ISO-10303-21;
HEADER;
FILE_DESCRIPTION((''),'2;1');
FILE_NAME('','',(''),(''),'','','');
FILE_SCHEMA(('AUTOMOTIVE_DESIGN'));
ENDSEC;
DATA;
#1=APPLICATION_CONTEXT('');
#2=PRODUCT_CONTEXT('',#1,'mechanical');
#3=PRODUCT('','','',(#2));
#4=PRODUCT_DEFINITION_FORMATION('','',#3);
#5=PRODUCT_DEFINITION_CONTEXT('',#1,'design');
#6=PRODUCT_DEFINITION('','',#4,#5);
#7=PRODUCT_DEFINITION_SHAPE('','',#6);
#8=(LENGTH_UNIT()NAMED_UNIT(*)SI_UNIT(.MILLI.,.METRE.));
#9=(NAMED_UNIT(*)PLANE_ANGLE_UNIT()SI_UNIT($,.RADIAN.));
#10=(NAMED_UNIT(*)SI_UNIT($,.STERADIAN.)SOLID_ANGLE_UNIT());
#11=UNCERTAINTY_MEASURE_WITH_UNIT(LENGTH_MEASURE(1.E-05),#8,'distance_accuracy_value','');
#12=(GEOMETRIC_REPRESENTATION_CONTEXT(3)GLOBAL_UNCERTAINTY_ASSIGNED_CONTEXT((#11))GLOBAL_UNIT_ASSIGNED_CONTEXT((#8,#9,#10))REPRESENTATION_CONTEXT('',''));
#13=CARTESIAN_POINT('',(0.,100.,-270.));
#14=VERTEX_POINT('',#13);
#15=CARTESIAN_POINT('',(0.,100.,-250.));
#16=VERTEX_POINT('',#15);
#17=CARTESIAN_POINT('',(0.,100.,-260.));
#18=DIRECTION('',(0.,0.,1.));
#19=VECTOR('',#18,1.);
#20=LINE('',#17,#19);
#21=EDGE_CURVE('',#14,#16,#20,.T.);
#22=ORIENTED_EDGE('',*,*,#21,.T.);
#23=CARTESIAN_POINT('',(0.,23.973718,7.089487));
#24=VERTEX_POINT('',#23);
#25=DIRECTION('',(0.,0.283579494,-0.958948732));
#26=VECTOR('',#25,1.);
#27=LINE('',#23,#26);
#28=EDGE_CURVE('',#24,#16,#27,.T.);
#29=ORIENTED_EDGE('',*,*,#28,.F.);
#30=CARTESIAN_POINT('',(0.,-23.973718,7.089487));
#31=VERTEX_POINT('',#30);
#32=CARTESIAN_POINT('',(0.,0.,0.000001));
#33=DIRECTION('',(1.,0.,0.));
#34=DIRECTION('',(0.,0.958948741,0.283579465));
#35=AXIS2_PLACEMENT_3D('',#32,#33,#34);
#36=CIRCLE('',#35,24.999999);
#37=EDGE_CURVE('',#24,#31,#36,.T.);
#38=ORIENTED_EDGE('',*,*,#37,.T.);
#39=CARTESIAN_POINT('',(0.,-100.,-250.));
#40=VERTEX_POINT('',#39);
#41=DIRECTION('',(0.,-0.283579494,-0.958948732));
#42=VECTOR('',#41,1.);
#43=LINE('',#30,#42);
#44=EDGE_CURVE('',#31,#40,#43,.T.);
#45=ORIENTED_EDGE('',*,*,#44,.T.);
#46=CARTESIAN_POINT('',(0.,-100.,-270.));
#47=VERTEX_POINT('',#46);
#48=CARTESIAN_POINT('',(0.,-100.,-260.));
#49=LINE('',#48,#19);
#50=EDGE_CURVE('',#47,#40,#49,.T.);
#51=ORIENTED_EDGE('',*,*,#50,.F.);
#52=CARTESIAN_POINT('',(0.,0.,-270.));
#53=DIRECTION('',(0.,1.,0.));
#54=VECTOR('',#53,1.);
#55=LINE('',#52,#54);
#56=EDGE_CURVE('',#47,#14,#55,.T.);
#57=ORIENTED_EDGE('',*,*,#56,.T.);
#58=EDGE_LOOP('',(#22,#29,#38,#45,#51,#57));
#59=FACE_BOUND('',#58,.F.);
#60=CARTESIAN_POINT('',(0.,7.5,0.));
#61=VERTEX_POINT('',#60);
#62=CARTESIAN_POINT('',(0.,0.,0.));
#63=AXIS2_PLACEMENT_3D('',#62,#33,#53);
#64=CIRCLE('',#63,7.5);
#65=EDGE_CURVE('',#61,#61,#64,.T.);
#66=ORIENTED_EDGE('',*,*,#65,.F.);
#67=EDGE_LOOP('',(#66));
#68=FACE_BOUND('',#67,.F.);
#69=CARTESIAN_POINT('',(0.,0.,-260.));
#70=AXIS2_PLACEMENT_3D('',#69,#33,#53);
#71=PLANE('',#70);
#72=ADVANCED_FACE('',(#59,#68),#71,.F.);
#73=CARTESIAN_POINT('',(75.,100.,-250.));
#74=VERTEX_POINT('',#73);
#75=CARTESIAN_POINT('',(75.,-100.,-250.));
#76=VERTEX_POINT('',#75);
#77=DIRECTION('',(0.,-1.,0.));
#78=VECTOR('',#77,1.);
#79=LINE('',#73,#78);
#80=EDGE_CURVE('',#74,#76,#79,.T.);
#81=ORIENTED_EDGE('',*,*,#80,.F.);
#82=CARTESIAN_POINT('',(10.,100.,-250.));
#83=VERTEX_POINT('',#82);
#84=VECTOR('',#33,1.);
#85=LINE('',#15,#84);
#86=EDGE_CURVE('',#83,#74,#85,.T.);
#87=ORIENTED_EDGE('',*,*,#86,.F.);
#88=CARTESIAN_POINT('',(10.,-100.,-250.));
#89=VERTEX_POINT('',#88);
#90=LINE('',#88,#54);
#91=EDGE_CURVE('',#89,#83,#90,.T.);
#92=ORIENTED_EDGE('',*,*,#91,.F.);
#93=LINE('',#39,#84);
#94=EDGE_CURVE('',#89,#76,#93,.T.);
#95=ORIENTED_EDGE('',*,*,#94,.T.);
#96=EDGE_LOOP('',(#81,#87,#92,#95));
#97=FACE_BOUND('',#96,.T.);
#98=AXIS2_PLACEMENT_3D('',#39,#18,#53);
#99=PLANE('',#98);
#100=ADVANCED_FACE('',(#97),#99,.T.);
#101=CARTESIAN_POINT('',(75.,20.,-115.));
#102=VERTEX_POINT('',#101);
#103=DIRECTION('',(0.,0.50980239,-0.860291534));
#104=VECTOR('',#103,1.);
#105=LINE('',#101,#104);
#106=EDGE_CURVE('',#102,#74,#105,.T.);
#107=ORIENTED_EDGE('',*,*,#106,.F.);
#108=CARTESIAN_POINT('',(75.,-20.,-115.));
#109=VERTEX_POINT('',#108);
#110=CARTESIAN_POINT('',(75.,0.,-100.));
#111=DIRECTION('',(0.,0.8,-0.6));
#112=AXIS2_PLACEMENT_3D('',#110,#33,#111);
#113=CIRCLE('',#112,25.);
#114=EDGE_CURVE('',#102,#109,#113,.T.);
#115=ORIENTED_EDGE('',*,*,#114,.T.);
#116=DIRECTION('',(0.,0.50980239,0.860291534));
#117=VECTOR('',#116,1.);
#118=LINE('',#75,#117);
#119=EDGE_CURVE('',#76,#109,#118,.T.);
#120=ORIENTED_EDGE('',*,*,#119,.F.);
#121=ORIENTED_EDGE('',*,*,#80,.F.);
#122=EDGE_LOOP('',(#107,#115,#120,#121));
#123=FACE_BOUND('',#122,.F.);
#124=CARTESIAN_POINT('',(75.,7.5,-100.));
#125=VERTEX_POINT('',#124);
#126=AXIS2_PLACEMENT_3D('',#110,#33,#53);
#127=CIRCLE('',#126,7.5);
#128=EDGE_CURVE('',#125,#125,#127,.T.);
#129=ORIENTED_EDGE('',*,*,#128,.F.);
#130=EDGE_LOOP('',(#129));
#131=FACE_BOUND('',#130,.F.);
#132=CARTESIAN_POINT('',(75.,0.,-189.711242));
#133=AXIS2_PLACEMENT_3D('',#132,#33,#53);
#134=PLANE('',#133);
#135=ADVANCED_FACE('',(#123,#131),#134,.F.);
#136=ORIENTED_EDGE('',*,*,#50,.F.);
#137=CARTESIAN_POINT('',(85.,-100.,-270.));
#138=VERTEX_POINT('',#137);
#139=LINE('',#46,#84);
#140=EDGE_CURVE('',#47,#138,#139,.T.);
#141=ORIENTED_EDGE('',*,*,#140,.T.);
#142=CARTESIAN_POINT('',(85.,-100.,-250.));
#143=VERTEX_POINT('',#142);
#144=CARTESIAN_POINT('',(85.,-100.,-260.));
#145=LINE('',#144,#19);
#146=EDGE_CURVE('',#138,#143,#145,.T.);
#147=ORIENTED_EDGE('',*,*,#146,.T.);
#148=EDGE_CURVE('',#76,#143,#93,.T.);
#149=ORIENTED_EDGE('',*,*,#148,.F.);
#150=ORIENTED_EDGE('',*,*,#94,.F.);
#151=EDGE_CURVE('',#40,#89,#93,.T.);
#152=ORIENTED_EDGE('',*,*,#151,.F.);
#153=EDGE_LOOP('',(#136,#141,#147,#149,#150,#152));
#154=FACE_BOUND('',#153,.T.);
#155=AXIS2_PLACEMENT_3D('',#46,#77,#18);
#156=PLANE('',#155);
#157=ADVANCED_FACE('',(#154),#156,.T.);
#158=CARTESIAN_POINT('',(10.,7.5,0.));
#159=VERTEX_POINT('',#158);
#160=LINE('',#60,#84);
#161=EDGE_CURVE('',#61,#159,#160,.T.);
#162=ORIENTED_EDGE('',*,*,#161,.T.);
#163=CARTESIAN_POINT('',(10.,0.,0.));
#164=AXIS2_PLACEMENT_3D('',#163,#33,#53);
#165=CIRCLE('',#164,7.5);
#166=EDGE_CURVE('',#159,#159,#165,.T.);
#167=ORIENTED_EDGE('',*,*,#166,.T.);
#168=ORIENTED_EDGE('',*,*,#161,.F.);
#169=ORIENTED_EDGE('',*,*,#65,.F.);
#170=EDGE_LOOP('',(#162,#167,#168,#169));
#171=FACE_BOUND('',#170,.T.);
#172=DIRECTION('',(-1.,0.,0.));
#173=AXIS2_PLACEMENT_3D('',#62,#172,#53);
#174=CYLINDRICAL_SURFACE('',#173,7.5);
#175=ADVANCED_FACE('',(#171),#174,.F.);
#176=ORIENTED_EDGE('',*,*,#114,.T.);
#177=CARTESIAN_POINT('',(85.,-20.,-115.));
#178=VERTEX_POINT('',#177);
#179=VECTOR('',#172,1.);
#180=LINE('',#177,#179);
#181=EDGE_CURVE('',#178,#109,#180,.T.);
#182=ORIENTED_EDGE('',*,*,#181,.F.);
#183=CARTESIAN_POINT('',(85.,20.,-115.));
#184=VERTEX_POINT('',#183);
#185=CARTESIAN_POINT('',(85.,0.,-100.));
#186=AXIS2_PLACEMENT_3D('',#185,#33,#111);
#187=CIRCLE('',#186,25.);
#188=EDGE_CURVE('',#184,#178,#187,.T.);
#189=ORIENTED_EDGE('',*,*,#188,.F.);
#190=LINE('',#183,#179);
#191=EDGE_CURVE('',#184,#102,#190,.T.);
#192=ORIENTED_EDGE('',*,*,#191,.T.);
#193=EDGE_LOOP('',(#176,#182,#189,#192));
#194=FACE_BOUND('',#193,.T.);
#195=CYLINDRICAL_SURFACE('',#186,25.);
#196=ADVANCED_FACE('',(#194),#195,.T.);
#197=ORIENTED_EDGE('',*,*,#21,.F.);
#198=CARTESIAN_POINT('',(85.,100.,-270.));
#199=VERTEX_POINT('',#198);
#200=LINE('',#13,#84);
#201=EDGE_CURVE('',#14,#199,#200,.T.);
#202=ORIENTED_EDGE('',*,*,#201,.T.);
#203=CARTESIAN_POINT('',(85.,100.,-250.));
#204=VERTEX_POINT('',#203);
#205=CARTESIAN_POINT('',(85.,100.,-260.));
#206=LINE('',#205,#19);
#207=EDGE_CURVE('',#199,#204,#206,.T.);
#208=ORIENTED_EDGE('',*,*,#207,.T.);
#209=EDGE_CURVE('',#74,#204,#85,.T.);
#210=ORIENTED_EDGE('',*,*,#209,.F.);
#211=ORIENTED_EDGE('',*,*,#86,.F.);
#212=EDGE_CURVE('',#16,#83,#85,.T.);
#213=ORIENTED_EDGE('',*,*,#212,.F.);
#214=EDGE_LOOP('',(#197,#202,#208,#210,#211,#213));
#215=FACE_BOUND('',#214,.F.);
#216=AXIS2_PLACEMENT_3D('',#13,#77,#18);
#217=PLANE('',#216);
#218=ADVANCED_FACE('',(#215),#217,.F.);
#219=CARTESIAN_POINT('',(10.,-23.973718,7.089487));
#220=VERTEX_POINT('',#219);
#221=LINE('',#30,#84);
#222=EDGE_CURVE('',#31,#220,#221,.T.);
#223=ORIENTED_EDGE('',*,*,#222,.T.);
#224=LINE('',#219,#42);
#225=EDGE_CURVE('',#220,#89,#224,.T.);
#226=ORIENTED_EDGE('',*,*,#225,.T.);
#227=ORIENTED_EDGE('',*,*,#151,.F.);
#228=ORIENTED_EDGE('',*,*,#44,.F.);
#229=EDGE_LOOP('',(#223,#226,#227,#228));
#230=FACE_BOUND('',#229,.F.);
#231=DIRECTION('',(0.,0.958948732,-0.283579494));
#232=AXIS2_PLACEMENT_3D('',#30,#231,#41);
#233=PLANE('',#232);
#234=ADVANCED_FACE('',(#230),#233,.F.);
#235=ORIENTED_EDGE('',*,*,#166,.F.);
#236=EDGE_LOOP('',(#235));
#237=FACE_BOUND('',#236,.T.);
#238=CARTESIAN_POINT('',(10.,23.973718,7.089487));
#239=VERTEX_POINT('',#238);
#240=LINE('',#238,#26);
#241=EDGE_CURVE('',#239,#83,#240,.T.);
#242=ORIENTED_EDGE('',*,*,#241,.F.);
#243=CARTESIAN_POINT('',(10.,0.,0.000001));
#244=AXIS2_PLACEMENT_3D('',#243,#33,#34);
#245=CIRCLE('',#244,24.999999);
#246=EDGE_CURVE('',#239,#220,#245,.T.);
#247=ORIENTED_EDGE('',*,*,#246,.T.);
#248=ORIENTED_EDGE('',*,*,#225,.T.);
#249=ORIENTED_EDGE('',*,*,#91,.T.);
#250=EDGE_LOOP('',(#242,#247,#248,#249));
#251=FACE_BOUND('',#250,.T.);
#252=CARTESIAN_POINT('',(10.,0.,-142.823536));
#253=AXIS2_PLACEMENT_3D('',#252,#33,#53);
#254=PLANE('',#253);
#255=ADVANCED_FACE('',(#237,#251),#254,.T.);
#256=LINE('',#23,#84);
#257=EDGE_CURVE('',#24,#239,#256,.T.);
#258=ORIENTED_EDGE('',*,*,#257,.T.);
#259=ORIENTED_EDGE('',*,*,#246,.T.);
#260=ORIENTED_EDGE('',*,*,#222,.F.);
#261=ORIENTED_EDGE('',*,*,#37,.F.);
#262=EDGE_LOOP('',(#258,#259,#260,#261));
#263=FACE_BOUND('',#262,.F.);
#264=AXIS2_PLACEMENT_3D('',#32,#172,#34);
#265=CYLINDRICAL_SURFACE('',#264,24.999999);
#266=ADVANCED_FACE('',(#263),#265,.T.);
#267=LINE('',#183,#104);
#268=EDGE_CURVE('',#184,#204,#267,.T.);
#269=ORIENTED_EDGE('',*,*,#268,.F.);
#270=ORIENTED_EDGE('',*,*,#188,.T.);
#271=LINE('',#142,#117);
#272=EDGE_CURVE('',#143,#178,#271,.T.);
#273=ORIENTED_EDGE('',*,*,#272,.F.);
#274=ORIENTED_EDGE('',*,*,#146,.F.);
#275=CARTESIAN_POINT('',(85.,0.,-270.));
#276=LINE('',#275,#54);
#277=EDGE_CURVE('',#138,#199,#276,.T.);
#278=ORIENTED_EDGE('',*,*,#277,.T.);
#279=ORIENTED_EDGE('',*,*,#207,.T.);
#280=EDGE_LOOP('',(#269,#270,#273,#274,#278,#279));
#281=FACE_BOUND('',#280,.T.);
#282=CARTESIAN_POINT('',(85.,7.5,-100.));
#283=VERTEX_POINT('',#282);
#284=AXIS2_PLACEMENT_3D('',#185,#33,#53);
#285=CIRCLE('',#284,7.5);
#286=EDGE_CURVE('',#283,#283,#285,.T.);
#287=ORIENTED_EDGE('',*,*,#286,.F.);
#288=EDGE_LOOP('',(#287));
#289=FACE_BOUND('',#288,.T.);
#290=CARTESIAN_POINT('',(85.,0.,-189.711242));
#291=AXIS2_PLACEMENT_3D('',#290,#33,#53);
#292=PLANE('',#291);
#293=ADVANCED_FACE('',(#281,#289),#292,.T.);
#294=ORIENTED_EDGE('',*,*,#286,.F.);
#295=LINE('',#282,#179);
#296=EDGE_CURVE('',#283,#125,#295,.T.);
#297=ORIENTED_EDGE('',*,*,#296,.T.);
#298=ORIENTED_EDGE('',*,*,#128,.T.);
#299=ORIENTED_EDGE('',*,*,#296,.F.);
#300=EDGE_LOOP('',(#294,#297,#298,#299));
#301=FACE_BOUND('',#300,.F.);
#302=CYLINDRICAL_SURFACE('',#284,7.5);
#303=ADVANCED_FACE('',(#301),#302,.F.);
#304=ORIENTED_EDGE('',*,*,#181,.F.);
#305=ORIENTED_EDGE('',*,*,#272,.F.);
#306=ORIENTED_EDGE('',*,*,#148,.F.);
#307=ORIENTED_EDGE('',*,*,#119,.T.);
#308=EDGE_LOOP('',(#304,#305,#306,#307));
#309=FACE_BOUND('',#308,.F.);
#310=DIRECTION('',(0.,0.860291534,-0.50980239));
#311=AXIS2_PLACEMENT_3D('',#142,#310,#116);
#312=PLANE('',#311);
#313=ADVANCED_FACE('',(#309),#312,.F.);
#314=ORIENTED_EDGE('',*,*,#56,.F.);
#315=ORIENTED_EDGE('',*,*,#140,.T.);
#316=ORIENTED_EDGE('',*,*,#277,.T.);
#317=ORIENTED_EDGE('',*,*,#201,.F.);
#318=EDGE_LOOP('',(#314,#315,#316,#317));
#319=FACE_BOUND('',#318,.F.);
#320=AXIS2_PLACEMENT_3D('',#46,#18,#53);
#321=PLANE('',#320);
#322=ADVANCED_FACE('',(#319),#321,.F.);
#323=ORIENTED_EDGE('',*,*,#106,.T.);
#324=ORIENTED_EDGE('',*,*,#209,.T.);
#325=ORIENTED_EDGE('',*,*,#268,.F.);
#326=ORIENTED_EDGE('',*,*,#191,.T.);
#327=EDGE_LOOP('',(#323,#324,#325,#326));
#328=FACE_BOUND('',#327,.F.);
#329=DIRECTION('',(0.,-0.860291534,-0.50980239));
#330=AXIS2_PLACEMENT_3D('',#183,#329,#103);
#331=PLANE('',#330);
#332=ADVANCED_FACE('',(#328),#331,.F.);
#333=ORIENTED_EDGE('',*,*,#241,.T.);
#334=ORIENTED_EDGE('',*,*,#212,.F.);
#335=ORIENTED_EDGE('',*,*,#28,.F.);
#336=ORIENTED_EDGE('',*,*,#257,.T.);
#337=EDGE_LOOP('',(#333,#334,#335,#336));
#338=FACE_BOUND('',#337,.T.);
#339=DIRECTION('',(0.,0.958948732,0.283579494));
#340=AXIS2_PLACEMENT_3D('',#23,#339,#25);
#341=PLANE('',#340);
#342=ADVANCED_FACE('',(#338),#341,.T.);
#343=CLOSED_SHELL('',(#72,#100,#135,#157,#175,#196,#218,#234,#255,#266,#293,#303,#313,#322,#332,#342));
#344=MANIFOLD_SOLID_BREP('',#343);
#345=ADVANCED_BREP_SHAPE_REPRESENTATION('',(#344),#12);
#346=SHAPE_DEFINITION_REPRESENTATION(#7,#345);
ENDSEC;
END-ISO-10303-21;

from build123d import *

# Parameters (mm, degrees)
SKETCH_0_R   = 7.5
PAD_DEPTH    = 10
SKETCH_2_W   = 200
SKETCH_2_H   = 20
PAD001_DEPTH = 85
SKETCH_1_R   = 7.5
PAD002_DEPTH = 10


with BuildPart() as part:
    # Sketch_0 (on LCS_) → Pad (new body)
    with BuildSketch(Plane.YZ):
        with BuildLine():
            ThreePointArc((23.973718, 7.089487), (0, 25), (-23.973718, 7.089487))
            Line((-23.973718, 7.089487), (-100, -250))
            Line((-100, -250), (100, -250))
            Line((23.973718, 7.089487), (100, -250))
        make_face()
        Circle(SKETCH_0_R, mode=Mode.SUBTRACT)
    extrude(amount=PAD_DEPTH)

    # Sketch_2 (on LCS_) → Pad001 (join)
    with BuildSketch(Plane.YZ):
        with Locations((0, -260)):
            Rectangle(SKETCH_2_W, SKETCH_2_H)
    extrude(amount=PAD001_DEPTH)

    # Sketch_1 (on LCS_triangle) → Pad002 (join)
    with BuildSketch(Plane(origin=(85, 0, -100), x_dir=(0, 1, 0), z_dir=(1, 0, 0))):
        with BuildLine():
            ThreePointArc((20, -15), (0, 25), (-20, -15))
            Line((-100, -150), (-20, -15))
            Line((100, -150), (-100, -150))
            Line((20, -15), (100, -150))
        make_face()
        Circle(SKETCH_1_R, mode=Mode.SUBTRACT)
    extrude(amount=-PAD002_DEPTH)


solid = part.part
